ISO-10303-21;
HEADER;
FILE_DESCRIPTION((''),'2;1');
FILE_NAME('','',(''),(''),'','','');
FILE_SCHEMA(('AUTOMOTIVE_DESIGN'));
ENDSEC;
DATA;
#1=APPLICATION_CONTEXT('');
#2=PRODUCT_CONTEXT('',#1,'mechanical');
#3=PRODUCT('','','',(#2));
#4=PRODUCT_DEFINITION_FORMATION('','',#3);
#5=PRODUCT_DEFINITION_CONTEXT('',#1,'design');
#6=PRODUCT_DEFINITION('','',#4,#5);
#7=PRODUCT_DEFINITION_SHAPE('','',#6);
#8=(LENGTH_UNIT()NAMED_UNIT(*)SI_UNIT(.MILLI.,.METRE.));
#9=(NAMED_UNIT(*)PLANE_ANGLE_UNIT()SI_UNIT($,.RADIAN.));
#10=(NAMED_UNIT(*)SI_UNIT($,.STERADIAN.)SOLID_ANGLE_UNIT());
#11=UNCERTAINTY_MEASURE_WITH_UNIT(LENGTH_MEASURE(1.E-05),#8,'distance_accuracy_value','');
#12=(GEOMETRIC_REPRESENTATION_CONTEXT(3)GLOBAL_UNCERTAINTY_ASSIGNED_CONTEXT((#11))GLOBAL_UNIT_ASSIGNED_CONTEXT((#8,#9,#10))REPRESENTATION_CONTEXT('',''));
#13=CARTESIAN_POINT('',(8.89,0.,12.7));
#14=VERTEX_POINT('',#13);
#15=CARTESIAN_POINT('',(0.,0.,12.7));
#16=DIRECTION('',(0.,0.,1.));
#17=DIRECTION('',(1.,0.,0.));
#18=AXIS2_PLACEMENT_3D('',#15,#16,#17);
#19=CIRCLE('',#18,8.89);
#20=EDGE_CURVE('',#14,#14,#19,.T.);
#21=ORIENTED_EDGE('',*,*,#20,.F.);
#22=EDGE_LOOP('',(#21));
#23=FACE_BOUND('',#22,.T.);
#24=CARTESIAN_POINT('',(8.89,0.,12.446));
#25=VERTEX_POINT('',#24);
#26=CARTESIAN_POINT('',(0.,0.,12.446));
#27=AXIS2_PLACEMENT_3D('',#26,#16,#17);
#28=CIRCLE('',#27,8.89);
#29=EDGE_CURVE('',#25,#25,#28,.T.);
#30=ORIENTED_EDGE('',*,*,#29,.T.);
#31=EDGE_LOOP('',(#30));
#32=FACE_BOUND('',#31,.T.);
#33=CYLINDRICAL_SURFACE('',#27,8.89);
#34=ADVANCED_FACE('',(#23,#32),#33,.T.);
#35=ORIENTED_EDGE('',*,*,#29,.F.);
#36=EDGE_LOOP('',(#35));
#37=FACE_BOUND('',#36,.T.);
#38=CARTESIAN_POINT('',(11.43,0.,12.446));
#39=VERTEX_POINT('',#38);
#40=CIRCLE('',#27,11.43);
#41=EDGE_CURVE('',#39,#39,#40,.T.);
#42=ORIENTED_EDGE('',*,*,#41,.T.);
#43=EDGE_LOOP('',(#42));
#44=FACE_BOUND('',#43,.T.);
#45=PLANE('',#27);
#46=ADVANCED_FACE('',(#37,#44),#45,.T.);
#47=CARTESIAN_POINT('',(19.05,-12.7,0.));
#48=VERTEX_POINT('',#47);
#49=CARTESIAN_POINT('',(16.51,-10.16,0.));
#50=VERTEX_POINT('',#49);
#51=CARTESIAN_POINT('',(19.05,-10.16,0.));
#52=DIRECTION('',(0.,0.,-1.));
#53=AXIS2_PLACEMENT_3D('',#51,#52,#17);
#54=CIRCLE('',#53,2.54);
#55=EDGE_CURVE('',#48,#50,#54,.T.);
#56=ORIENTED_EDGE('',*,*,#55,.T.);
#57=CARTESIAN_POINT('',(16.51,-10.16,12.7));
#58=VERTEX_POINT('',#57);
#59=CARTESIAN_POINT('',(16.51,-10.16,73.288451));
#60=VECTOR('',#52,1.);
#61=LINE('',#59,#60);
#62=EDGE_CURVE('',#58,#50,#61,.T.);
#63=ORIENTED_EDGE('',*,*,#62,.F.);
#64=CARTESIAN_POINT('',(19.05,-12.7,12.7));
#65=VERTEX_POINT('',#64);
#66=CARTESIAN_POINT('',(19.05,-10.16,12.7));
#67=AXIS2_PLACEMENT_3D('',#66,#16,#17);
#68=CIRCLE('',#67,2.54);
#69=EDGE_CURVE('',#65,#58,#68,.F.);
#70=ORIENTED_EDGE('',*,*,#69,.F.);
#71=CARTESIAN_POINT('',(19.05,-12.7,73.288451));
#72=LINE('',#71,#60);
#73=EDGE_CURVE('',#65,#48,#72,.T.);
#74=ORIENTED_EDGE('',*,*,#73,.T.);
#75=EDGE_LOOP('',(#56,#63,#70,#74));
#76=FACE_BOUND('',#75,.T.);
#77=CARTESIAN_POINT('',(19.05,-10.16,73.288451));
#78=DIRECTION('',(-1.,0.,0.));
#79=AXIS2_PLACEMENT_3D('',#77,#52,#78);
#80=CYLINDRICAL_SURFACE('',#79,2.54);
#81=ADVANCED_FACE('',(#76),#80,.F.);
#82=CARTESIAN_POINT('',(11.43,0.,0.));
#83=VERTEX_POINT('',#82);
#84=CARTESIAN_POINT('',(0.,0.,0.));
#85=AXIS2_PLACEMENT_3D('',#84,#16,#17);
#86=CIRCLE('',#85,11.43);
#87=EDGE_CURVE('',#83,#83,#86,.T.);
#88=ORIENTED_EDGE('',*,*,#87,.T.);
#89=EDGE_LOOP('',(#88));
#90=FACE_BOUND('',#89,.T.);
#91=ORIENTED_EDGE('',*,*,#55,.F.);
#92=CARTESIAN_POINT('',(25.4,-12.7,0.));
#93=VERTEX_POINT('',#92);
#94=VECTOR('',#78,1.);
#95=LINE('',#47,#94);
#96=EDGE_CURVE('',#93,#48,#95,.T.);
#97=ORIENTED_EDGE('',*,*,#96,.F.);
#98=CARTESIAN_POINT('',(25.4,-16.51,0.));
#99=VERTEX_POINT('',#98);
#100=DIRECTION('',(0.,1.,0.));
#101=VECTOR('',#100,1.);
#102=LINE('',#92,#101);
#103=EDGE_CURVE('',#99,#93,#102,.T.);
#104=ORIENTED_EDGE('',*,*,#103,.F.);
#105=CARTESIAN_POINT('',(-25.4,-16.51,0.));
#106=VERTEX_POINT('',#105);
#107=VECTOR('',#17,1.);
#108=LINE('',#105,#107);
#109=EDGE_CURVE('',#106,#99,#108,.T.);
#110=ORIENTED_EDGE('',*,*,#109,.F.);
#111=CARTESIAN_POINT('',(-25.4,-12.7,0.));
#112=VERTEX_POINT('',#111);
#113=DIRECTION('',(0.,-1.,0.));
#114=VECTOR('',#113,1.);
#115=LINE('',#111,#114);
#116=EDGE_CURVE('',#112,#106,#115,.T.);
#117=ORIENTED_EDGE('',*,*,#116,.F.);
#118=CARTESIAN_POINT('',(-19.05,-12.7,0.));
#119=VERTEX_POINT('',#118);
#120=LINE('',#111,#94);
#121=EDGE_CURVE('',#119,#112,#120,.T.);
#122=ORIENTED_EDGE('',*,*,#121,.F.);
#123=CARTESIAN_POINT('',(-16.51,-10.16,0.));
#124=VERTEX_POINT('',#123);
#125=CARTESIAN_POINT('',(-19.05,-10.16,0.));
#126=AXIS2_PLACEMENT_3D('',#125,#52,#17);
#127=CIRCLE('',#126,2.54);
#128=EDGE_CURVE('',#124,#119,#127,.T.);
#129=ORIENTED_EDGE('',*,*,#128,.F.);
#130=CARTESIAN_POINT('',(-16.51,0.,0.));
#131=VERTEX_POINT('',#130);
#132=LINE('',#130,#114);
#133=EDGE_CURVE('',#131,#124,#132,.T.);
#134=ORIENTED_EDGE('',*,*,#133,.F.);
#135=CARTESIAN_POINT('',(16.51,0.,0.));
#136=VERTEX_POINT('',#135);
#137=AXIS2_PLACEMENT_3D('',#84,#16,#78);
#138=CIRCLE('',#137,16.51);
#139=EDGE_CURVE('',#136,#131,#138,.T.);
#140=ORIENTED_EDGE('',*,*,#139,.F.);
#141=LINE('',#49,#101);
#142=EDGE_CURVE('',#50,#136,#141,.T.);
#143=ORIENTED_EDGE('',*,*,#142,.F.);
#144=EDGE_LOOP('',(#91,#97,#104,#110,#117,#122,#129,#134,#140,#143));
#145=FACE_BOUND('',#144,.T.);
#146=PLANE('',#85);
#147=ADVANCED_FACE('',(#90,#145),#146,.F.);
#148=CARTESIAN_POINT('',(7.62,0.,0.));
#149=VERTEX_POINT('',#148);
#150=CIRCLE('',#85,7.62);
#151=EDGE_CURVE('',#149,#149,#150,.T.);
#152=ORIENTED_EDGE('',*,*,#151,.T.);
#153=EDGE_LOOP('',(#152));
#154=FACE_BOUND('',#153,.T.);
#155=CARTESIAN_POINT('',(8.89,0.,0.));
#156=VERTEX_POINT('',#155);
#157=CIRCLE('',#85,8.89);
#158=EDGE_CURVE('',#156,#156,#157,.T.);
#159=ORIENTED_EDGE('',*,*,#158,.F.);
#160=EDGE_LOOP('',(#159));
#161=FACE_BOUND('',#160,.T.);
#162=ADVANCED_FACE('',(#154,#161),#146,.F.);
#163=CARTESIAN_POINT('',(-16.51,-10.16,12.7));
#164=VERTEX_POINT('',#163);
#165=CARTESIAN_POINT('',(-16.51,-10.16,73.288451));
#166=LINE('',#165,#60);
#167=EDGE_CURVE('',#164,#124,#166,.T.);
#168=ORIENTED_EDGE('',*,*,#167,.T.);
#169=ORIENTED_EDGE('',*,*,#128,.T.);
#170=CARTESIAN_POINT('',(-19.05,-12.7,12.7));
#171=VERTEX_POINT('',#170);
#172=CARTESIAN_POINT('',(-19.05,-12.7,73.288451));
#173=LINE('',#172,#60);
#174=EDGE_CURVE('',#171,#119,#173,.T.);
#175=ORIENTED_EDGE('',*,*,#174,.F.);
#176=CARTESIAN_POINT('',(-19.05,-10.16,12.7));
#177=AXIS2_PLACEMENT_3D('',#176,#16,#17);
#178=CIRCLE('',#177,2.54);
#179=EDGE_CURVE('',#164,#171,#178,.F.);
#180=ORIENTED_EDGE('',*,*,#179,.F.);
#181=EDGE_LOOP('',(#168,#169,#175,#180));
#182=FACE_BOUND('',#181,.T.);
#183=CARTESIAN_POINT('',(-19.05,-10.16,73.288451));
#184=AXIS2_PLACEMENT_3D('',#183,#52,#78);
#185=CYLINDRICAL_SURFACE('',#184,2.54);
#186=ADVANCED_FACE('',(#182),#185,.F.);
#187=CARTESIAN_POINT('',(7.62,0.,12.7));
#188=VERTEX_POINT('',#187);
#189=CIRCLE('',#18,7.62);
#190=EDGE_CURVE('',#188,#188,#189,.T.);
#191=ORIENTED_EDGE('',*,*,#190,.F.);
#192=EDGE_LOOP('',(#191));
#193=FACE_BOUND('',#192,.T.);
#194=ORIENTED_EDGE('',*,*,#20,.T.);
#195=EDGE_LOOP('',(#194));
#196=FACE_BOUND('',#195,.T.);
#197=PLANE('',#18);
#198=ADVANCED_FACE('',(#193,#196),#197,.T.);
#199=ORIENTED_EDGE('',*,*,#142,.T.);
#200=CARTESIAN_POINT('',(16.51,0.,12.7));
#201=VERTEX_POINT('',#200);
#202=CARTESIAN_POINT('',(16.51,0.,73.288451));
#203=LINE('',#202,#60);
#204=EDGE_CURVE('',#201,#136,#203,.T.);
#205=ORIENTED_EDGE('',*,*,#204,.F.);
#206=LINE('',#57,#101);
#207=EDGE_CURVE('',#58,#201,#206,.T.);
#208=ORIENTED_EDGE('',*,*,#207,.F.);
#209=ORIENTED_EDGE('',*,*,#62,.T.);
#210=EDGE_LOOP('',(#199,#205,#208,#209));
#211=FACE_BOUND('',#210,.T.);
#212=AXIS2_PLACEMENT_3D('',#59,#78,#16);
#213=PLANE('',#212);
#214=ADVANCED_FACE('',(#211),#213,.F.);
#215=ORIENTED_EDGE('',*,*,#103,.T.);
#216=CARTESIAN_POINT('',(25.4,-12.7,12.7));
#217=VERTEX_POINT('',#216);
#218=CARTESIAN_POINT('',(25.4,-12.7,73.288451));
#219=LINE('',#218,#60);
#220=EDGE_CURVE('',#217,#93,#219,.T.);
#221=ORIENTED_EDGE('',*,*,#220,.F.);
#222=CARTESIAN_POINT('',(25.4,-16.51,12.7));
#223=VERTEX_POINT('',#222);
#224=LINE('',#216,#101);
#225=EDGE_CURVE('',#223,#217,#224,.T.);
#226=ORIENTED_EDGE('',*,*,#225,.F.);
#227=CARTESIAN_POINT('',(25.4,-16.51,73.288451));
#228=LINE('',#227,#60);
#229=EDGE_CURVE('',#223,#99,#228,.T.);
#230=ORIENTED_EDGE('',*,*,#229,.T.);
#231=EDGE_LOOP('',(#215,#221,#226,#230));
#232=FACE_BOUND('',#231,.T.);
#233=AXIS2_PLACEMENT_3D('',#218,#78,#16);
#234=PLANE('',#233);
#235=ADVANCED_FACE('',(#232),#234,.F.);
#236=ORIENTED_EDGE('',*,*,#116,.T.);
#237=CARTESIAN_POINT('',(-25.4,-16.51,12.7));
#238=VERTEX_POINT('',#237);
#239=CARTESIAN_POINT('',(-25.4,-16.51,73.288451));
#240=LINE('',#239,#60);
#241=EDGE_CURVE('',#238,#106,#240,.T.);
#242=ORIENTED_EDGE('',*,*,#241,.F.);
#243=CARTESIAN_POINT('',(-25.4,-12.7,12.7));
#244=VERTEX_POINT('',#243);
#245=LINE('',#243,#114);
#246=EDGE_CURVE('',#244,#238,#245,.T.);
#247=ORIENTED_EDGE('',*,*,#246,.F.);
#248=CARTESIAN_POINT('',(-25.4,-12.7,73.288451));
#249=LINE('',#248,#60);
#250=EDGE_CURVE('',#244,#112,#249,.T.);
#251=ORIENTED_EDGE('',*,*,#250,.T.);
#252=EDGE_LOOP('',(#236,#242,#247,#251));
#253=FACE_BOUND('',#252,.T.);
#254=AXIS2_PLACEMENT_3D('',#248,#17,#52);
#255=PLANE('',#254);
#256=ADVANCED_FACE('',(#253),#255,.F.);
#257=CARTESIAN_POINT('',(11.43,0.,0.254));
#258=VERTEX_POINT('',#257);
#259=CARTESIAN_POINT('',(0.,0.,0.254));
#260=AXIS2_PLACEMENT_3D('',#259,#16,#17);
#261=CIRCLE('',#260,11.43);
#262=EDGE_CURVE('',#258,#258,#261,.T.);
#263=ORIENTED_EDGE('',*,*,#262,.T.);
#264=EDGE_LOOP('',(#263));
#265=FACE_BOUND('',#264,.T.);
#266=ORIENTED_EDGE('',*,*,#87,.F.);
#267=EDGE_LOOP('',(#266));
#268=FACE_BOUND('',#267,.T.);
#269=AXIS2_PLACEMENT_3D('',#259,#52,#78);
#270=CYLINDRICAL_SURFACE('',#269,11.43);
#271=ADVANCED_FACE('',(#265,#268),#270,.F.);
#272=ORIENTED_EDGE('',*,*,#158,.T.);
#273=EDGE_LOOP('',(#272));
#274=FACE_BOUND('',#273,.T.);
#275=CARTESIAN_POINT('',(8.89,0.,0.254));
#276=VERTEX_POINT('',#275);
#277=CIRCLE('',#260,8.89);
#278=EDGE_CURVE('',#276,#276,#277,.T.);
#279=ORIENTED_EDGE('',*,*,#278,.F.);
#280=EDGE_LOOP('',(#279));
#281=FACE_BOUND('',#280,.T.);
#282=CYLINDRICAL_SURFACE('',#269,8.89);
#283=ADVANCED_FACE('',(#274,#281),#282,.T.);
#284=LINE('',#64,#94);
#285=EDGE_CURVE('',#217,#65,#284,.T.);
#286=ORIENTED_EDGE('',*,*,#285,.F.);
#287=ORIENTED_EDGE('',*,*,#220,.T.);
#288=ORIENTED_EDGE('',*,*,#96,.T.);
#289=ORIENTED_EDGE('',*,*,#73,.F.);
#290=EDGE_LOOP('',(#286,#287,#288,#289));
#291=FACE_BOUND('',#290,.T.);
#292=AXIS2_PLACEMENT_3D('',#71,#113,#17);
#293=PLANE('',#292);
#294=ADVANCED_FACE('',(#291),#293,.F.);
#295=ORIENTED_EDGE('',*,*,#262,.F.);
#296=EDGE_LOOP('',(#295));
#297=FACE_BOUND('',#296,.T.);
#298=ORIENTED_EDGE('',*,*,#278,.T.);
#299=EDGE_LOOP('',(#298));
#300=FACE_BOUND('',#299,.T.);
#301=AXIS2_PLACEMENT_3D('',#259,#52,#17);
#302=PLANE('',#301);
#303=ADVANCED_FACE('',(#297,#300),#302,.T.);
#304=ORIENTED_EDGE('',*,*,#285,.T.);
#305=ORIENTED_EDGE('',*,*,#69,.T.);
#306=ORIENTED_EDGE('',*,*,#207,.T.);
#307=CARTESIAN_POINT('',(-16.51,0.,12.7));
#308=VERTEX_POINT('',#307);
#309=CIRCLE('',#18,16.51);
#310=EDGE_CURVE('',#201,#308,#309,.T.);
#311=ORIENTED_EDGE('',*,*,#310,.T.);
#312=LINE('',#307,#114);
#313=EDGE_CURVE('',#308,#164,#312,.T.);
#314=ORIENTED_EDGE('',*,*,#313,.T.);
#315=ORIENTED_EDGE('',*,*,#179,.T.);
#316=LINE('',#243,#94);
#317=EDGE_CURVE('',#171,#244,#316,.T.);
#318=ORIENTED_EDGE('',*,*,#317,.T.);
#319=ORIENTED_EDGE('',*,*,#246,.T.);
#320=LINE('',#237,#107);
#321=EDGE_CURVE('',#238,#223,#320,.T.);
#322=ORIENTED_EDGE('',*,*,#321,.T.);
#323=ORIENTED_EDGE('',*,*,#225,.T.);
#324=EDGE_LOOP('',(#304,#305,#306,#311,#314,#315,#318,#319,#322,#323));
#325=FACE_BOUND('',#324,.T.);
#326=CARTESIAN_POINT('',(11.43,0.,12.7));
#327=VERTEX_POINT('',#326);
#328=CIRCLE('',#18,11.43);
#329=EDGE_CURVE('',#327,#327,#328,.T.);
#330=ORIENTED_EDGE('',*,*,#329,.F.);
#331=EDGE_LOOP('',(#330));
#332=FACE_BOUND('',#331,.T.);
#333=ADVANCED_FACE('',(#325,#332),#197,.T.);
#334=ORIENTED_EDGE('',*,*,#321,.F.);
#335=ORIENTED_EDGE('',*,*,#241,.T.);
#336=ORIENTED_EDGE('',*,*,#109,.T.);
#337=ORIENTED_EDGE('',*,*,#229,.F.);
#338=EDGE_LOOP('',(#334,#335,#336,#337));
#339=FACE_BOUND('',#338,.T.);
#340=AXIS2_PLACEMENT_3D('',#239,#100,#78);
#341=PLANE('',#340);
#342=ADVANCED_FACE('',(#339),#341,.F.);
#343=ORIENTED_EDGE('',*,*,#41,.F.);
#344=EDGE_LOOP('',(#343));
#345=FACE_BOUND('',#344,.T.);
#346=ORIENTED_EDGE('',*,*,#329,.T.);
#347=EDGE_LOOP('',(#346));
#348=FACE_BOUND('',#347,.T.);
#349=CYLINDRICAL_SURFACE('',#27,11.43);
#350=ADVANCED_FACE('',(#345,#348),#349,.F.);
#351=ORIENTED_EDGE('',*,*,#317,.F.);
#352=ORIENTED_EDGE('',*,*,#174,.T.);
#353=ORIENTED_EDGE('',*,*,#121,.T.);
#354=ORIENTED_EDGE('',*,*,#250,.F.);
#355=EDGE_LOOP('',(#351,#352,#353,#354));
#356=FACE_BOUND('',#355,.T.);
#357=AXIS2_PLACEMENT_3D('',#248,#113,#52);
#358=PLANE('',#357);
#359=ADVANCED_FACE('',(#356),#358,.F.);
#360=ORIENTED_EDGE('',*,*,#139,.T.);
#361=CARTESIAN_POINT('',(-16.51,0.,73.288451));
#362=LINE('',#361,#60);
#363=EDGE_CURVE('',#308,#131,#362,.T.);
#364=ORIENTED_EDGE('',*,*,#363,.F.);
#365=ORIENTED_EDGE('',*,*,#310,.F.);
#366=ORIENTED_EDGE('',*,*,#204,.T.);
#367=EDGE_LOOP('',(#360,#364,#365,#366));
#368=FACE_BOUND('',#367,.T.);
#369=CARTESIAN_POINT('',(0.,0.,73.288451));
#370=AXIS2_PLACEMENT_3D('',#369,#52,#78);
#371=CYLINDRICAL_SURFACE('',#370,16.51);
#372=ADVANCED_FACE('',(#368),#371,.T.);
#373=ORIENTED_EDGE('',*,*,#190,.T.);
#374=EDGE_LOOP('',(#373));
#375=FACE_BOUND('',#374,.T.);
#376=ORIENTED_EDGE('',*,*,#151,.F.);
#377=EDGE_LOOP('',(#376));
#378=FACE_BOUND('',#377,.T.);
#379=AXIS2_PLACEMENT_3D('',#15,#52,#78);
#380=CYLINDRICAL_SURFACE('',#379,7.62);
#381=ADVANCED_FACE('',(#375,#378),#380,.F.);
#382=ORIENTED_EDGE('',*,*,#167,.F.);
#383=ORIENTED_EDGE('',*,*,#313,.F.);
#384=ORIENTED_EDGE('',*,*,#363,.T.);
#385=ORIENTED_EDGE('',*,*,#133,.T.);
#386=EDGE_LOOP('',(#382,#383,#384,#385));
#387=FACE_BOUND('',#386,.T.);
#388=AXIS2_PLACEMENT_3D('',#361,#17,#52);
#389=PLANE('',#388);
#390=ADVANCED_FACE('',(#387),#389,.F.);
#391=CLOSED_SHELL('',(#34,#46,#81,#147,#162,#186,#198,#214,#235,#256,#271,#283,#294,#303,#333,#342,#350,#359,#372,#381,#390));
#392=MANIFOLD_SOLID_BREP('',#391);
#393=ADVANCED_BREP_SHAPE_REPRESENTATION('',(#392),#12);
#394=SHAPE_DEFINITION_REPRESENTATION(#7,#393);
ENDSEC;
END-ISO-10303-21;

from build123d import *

# Parameters (mm, degrees)
SKETCH1_R           = 12.7
SKETCH1_R_2         = 7.62
BOSS_EXTRUDE1_DEPTH = 12.7
SKETCH2_R           = 11.43
SKETCH2_R_2         = 8.89
CUT_EXTRUDE1_DEPTH  = 0.254
SKETCH3_R           = 12.7
BOSS_EXTRUDE3_DEPTH = 12.7


with BuildPart() as part:
    # Sketch1 → Boss-Extrude1 (new body)
    with BuildSketch(Plane.XY):
        Circle(SKETCH1_R)
        Circle(SKETCH1_R_2, mode=Mode.SUBTRACT)
    extrude(amount=BOSS_EXTRUDE1_DEPTH)

    # Sketch2 → Cut-Extrude1 (cut)
    with BuildSketch(Plane.XY.offset(12.7)):
        Circle(SKETCH2_R)
        Circle(SKETCH2_R_2, mode=Mode.SUBTRACT)
    cut_extrude1 = extrude(amount=-CUT_EXTRUDE1_DEPTH, mode=Mode.SUBTRACT)

    # Mirror1: Cut-Extrude1 across plane
    add(cut_extrude1.mirror(Plane.XY.offset(6.35)), mode=Mode.SUBTRACT)

    # Sketch3 → Boss-Extrude3 (add)
    with BuildSketch(Plane.XY):
        with BuildLine():
            Line((-25.4, -16.51), (25.4, -16.51))
            Line((25.4, -16.51), (25.4, -12.7))
            Line((25.4, -12.7), (19.05, -12.7))
            ThreePointArc((19.05, -12.7), (17.253948776, -11.956051224), (16.51, -10.16))
            Line((16.51, -10.16), (16.51, 0))
            ThreePointArc((16.51, 0), (0, 16.51), (-16.51, 0))
            Line((-16.51, 0), (-16.51, -10.16))
            ThreePointArc((-16.51, -10.16), (-17.253948776, -11.956051224), (-19.05, -12.7))
            Line((-19.05, -12.7), (-25.4, -12.7))
            Line((-25.4, -12.7), (-25.4, -16.51))
        make_face()
        Circle(SKETCH3_R, mode=Mode.SUBTRACT)
    extrude(amount=BOSS_EXTRUDE3_DEPTH)


solid = part.part
